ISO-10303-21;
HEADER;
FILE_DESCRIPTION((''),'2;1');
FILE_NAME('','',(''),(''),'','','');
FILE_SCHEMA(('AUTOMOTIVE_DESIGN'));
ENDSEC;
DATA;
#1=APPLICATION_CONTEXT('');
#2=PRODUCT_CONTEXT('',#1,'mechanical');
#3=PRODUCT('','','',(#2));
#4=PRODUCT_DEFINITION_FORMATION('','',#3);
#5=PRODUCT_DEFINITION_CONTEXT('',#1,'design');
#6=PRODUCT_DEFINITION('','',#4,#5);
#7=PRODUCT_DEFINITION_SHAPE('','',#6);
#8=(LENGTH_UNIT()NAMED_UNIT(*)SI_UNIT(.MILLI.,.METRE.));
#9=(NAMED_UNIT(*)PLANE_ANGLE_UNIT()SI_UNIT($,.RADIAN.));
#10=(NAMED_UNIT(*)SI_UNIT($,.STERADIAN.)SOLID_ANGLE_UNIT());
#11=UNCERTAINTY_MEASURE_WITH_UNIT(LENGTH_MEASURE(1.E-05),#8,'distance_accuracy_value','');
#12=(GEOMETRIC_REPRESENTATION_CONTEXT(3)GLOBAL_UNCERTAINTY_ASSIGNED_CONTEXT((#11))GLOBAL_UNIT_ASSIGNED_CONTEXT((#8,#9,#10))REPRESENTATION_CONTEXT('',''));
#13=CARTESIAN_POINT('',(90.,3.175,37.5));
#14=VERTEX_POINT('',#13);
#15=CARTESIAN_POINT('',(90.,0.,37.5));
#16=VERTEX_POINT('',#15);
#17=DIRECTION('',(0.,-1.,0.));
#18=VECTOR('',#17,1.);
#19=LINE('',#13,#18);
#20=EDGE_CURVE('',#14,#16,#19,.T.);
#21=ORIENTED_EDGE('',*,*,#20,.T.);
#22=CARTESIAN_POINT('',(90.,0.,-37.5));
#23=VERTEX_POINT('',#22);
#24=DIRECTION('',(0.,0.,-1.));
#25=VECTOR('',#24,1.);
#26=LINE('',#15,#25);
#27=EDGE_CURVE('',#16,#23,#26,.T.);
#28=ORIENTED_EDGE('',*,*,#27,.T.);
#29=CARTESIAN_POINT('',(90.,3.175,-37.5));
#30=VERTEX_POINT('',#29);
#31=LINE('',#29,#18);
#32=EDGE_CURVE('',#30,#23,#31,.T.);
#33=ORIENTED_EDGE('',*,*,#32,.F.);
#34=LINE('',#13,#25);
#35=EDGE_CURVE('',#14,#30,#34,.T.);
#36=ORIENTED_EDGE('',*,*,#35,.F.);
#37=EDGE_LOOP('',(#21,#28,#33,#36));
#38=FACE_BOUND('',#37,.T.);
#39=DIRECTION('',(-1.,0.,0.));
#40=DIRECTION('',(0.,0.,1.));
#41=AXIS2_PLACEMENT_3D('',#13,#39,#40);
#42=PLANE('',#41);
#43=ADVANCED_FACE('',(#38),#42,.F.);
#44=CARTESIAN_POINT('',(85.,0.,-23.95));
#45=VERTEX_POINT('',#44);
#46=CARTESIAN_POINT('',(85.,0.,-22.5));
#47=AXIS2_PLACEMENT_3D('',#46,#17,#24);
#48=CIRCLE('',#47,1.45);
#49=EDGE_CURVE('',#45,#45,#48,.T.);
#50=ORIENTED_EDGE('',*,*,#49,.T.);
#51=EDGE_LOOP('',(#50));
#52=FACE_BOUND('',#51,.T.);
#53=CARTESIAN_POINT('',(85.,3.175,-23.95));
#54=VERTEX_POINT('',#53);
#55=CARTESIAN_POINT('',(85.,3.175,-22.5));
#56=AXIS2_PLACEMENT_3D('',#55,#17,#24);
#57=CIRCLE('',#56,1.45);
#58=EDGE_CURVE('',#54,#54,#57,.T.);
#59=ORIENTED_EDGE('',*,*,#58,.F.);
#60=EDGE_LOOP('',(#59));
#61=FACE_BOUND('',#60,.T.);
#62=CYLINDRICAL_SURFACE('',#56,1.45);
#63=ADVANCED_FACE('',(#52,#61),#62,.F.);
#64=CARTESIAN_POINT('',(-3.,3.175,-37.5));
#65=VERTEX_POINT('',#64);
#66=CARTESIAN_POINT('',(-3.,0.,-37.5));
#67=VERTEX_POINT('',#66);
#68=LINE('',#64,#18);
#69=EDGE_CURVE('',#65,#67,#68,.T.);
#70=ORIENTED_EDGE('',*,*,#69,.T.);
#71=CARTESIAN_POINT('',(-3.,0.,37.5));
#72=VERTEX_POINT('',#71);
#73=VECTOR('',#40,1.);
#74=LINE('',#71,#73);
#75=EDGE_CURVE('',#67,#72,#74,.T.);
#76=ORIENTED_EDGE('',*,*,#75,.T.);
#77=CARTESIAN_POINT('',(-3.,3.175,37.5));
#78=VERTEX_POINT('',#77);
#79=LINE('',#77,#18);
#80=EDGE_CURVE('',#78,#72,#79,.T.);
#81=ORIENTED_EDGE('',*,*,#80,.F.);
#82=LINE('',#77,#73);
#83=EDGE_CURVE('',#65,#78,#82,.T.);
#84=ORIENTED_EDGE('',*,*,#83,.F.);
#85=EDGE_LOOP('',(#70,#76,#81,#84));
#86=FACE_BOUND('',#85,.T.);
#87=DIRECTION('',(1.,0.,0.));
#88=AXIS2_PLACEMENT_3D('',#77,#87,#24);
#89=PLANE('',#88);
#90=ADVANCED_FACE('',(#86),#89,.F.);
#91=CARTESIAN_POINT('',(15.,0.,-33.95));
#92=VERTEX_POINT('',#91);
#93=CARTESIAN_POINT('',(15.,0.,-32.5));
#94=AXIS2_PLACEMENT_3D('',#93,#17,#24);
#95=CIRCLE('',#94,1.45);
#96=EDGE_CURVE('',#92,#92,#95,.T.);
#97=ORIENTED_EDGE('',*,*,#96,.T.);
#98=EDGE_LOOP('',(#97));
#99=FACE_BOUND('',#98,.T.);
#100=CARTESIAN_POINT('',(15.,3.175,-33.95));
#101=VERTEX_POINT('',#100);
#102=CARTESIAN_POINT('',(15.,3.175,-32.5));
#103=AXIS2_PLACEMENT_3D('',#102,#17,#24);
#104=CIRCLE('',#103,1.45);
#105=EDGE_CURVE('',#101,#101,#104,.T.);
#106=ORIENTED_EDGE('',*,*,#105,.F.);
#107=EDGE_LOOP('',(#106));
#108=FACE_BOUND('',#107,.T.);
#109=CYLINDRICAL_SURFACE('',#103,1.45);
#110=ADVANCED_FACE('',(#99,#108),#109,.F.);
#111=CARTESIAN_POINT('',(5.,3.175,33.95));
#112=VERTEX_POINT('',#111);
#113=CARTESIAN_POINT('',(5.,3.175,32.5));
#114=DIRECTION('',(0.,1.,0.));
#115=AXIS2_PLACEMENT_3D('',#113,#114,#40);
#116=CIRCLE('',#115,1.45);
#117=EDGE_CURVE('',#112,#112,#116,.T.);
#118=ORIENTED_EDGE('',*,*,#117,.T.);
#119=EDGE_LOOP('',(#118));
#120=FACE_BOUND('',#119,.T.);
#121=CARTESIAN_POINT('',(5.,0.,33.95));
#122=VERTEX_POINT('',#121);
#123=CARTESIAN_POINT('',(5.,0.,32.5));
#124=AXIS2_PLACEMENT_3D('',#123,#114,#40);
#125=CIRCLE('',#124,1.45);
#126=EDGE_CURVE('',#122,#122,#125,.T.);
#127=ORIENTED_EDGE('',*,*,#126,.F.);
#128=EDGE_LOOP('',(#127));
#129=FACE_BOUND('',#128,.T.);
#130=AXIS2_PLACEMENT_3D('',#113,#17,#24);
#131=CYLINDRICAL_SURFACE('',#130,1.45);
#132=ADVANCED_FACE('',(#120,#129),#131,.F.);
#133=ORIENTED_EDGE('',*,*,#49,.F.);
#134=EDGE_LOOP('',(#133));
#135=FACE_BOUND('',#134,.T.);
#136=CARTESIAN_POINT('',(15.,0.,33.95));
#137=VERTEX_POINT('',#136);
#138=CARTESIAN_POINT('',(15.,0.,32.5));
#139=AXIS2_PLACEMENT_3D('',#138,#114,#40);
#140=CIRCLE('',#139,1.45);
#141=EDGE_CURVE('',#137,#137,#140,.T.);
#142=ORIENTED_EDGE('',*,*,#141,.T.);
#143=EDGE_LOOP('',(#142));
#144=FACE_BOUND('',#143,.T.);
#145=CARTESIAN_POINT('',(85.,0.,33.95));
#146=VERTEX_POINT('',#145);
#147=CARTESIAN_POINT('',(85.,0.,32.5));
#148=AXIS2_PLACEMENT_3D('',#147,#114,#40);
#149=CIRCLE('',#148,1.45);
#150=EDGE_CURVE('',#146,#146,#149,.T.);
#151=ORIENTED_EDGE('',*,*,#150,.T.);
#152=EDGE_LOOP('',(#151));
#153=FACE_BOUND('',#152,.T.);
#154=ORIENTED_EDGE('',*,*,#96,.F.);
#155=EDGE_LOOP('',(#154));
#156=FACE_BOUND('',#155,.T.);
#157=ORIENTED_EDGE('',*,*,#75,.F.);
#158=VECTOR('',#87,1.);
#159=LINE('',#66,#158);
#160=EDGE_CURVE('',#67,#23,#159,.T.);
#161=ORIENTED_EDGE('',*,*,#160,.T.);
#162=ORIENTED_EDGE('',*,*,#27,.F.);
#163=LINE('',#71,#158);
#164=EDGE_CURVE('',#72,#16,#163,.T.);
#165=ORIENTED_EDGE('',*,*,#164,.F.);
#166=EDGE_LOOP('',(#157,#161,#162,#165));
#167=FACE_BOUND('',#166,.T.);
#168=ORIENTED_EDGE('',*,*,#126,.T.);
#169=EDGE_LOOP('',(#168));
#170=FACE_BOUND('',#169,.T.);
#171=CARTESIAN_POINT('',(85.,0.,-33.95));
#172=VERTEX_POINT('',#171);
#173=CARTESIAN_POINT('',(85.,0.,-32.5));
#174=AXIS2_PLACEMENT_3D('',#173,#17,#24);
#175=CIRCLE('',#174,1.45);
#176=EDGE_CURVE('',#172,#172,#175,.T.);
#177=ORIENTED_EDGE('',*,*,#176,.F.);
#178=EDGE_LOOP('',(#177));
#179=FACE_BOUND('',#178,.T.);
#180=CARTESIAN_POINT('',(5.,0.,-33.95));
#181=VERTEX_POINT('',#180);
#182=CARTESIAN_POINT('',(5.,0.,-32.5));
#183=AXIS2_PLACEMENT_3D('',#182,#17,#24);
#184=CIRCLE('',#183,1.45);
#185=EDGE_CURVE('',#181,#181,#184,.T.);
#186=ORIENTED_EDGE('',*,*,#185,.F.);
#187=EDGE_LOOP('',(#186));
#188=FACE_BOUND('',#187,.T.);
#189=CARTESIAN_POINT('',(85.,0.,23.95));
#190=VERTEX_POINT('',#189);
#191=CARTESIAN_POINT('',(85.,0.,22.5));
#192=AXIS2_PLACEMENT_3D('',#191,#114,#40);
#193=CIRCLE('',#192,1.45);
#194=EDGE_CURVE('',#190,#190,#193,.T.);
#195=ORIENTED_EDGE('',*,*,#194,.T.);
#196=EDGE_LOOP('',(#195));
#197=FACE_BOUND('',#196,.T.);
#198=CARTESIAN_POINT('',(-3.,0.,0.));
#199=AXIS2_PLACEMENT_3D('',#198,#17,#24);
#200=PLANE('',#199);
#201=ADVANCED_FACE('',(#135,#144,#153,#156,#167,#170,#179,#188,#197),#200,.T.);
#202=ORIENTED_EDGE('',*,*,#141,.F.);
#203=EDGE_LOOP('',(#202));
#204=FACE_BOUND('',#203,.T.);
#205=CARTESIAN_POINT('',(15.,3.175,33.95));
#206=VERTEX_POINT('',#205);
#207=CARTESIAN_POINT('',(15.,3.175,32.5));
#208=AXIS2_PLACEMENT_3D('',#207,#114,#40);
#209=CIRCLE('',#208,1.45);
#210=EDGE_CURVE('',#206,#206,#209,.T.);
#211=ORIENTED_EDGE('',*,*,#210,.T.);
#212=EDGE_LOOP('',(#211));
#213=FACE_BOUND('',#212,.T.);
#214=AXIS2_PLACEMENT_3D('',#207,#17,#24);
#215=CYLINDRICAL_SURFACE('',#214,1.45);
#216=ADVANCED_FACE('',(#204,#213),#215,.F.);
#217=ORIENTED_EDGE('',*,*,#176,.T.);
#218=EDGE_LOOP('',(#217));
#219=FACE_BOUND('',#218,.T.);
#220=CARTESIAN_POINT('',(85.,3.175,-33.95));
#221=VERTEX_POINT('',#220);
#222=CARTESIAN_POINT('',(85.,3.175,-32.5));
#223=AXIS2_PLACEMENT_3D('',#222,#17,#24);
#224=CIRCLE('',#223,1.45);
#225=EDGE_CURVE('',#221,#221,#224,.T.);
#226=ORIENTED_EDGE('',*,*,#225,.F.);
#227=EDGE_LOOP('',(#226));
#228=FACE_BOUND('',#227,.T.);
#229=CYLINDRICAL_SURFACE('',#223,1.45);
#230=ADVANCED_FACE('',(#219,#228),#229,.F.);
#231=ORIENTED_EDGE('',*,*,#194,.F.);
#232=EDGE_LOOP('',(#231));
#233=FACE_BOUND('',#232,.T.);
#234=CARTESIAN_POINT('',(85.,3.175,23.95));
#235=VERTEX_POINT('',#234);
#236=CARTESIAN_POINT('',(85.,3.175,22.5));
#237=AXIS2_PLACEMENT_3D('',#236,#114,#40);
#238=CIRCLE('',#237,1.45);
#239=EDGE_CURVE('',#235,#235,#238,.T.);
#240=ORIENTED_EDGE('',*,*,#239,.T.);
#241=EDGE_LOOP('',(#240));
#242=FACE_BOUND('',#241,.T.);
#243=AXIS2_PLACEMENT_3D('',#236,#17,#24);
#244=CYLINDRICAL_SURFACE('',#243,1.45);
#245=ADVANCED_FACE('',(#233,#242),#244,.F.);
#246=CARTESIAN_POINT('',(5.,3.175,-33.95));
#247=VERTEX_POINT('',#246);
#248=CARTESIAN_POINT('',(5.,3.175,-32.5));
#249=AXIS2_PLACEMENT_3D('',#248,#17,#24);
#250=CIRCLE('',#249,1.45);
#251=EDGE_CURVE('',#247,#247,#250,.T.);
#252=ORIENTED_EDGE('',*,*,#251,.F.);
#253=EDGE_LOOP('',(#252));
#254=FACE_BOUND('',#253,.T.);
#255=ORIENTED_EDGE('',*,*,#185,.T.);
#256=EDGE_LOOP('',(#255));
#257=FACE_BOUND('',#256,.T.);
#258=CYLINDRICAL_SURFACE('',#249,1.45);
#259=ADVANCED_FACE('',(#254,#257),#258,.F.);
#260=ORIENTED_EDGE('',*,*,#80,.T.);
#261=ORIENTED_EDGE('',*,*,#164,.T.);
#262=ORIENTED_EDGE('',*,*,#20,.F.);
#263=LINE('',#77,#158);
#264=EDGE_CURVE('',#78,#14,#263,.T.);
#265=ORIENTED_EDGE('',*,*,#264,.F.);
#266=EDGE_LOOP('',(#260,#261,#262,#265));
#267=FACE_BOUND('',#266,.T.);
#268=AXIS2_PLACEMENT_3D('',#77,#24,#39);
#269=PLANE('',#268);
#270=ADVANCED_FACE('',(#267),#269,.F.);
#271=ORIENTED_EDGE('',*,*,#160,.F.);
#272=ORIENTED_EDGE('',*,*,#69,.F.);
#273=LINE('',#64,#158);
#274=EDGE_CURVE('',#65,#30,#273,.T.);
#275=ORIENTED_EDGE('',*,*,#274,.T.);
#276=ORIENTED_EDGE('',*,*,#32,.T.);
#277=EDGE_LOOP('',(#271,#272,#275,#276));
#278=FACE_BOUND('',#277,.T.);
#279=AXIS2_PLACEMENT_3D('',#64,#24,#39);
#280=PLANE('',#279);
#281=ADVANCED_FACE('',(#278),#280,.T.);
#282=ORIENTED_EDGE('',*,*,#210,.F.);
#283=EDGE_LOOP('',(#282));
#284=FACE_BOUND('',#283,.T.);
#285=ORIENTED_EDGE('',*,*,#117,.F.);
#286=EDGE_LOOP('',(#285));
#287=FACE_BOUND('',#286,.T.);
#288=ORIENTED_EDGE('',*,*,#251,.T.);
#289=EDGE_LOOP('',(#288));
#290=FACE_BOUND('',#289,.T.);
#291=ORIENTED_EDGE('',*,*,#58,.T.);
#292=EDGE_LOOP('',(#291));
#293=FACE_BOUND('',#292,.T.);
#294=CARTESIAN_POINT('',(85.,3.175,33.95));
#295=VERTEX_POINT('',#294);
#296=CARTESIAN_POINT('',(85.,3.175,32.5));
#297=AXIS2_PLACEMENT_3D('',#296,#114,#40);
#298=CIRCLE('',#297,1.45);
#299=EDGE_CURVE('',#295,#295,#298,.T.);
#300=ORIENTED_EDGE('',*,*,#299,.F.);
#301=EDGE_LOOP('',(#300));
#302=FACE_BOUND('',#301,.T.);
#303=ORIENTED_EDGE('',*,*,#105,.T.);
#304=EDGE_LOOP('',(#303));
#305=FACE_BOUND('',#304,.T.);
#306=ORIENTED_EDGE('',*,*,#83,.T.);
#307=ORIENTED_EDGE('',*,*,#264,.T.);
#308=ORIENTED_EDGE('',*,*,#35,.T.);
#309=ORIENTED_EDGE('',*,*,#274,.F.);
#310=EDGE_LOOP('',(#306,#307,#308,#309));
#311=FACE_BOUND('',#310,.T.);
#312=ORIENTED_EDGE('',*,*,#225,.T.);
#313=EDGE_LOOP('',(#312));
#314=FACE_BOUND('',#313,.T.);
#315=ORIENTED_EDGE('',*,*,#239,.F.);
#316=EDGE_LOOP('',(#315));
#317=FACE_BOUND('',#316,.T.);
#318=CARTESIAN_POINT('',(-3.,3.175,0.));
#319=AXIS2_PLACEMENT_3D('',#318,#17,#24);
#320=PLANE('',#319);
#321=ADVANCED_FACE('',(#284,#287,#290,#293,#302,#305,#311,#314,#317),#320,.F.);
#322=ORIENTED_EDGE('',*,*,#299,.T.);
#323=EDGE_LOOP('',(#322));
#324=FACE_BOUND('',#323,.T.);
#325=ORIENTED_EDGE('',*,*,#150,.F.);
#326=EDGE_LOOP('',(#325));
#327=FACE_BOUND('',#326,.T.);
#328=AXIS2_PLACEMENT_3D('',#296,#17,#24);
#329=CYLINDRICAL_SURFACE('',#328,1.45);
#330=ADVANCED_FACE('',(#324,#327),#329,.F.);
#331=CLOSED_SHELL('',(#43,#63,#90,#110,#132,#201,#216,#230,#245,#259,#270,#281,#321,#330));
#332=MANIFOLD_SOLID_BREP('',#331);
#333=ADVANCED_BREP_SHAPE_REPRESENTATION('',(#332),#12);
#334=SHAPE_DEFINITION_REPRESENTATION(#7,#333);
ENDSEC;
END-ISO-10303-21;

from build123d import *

# Parameters (mm, degrees)
SKETCH1_W           = 93
SKETCH1_H           = 37.5
SKETCH1_R           = 1.45
BOSS_EXTRUDE1_DEPTH = 3.175


with BuildPart() as part:
    # Sketch1 → Boss-Extrude1 (new body)
    with BuildSketch(Plane(origin=(0, 0, 0), x_dir=(1, 0, 0), z_dir=(0, 1, 0))):
        with Locations((43.5, -18.75)):
            Rectangle(SKETCH1_W, SKETCH1_H)
        with Locations((85, -32.5)):
            Circle(SKETCH1_R, mode=Mode.SUBTRACT)
        with Locations((85, -22.5)):
            Circle(SKETCH1_R, mode=Mode.SUBTRACT)
        with Locations((5, -32.5)):
            Circle(SKETCH1_R, mode=Mode.SUBTRACT)
        with Locations((15, -32.5)):
            Circle(SKETCH1_R, mode=Mode.SUBTRACT)
    boss_extrude1 = extrude(amount=BOSS_EXTRUDE1_DEPTH)

    # Mirror1: Boss-Extrude1 across plane
    add(boss_extrude1.mirror(Plane(origin=(-3, 3.175, 0), x_dir=(1, 0, 0), z_dir=(0, 0, 1))))


solid = part.part
